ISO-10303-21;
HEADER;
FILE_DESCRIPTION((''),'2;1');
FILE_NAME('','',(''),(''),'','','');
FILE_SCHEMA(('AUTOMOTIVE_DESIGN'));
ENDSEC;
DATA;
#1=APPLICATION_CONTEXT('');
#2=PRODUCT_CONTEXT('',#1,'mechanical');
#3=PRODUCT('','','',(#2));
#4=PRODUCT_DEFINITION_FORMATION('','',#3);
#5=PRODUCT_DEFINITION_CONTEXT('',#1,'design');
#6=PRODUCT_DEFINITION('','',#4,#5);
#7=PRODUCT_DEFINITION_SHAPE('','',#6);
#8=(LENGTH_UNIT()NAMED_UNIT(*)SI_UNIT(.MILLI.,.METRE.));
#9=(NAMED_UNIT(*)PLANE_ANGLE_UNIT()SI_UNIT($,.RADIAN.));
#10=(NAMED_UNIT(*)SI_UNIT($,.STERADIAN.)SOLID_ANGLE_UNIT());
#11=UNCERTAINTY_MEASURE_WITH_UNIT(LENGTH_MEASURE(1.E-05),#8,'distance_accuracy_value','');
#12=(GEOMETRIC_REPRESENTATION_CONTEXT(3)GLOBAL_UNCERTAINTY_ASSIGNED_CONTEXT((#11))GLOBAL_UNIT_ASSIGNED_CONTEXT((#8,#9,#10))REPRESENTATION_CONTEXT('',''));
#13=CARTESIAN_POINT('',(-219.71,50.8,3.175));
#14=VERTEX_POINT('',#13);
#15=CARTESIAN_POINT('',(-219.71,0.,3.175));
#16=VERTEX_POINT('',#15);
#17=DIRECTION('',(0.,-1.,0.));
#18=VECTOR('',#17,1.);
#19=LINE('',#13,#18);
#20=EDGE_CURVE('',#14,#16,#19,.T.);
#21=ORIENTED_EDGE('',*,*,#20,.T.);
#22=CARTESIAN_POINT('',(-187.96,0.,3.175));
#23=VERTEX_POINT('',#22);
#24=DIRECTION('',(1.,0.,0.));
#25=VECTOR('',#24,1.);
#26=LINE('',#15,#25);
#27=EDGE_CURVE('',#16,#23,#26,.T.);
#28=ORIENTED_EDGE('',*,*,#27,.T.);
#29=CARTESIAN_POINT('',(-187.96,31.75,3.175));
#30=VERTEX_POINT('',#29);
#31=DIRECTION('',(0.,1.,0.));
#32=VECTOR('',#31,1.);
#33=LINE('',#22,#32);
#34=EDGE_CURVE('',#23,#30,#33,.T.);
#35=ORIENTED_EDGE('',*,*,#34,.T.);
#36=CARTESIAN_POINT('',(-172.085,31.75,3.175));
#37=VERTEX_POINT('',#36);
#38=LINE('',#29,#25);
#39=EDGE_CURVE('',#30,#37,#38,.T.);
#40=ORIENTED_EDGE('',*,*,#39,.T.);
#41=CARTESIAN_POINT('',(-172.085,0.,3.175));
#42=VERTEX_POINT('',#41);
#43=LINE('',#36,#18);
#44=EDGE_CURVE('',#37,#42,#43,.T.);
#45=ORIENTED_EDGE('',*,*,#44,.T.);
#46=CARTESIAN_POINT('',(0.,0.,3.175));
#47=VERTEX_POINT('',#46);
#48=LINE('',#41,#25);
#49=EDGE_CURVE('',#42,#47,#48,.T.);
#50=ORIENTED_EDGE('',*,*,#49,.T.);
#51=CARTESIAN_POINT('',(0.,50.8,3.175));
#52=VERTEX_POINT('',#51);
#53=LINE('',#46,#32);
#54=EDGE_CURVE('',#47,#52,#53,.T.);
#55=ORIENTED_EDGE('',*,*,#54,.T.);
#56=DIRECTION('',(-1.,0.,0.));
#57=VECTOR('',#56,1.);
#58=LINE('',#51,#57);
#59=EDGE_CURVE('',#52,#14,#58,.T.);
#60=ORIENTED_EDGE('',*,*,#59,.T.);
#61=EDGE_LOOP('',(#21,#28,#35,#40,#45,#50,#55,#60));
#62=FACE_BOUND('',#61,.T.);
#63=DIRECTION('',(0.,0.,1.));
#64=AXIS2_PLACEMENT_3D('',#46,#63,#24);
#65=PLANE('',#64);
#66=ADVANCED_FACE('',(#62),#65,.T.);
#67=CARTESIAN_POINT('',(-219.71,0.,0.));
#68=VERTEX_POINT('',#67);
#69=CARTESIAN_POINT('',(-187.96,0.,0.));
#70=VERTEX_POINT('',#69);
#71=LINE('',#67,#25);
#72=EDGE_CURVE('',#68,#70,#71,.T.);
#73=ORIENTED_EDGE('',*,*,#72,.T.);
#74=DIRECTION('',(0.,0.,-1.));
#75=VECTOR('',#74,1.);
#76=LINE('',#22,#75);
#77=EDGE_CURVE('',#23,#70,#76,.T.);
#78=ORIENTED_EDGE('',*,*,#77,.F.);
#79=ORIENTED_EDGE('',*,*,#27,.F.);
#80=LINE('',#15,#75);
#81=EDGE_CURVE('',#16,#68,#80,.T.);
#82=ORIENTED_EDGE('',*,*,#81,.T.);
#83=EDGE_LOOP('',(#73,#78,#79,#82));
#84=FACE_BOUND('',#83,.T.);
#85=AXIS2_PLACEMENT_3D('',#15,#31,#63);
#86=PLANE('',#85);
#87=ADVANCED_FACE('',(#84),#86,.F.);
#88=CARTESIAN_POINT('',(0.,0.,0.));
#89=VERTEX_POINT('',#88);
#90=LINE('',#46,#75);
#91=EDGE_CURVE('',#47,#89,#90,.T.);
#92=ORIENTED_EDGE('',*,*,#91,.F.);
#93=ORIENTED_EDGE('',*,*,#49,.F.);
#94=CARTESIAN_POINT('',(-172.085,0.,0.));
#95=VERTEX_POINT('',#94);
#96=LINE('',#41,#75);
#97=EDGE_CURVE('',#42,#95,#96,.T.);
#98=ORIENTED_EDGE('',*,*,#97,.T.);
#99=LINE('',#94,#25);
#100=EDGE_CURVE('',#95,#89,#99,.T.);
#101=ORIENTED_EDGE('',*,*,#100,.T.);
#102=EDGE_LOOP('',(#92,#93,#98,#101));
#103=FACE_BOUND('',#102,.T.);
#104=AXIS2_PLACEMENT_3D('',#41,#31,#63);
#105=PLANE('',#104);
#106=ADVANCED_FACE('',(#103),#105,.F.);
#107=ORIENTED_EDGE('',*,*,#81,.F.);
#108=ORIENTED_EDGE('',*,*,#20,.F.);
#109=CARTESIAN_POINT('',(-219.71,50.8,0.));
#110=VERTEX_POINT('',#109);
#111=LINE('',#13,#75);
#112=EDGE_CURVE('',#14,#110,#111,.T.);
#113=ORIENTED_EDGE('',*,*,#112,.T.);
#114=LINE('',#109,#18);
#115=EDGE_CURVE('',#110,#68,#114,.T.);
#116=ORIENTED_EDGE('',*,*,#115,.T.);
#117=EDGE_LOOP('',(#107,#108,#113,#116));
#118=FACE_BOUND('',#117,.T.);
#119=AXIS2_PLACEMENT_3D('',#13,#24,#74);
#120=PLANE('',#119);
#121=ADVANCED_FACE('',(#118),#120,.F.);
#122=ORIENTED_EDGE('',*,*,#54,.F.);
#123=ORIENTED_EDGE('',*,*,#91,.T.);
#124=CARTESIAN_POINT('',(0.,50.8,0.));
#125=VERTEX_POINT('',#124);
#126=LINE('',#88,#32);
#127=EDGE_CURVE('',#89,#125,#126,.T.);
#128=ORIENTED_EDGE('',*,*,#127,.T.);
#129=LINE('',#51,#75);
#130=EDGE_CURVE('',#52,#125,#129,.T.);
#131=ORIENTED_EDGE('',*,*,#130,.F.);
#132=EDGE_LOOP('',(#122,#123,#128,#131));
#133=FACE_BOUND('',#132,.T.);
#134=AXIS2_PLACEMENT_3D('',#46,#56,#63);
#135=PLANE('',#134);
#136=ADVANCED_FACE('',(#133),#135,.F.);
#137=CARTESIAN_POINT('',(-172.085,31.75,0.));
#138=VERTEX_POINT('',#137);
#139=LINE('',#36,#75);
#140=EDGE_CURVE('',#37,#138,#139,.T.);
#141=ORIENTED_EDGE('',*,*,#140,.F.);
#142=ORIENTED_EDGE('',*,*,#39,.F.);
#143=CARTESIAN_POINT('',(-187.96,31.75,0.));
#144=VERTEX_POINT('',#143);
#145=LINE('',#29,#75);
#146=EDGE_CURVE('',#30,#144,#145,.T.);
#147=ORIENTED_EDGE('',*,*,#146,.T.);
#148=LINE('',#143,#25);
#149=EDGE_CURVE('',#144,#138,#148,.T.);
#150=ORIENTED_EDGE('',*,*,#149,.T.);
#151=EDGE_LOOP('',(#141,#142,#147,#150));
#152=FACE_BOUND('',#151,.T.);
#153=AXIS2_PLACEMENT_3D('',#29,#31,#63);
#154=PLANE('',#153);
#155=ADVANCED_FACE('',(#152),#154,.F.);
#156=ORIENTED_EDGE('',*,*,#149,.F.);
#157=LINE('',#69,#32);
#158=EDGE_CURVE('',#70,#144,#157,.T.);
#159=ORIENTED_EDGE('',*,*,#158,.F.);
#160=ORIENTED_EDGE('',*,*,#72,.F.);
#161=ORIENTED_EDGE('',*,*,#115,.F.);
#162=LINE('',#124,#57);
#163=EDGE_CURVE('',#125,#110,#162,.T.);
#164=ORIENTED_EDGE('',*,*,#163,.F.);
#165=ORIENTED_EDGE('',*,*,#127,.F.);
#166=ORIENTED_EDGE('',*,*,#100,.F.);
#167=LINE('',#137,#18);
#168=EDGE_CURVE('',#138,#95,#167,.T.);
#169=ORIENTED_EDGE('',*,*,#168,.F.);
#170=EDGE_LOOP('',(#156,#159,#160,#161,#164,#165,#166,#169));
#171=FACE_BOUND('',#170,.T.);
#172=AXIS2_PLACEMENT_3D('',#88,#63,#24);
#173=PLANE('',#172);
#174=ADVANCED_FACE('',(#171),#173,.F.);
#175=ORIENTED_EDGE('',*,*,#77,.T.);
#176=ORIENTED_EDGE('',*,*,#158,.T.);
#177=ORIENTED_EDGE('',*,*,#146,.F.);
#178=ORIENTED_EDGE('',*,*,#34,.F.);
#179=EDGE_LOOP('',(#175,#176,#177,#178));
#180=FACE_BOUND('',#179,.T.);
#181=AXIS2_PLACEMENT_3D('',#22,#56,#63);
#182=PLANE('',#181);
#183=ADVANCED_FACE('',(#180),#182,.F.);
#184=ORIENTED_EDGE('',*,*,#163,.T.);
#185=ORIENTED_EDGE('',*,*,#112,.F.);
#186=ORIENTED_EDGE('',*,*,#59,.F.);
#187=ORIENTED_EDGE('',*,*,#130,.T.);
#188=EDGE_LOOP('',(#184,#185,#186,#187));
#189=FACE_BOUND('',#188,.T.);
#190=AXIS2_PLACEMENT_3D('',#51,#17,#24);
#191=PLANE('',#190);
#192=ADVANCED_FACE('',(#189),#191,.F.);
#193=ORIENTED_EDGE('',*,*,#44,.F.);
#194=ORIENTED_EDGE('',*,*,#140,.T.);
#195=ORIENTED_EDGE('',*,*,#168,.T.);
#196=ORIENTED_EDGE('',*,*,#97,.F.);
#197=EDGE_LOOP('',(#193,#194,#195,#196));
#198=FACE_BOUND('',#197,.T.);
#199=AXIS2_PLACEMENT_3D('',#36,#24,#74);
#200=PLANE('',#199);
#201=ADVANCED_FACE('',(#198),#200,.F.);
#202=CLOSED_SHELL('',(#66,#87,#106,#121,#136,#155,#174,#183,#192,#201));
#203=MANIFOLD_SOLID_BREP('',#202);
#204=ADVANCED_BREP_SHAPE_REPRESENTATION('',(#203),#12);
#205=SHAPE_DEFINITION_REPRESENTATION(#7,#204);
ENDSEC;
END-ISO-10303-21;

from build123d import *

# Parameters (mm, degrees)
BOSS_EXTRUDE1_DEPTH = 3.175


with BuildPart() as part:
    # Sketch1 → Boss-Extrude1 (new body)
    with BuildSketch(Plane.XY):
        Polygon((0, 0), (0, 50.8), (-219.71, 50.8), (-219.71, 0), (-187.96, 0), (-187.96, 31.75), (-172.085, 31.75), (-172.085, 0), align=None)
    extrude(amount=BOSS_EXTRUDE1_DEPTH)


solid = part.part
